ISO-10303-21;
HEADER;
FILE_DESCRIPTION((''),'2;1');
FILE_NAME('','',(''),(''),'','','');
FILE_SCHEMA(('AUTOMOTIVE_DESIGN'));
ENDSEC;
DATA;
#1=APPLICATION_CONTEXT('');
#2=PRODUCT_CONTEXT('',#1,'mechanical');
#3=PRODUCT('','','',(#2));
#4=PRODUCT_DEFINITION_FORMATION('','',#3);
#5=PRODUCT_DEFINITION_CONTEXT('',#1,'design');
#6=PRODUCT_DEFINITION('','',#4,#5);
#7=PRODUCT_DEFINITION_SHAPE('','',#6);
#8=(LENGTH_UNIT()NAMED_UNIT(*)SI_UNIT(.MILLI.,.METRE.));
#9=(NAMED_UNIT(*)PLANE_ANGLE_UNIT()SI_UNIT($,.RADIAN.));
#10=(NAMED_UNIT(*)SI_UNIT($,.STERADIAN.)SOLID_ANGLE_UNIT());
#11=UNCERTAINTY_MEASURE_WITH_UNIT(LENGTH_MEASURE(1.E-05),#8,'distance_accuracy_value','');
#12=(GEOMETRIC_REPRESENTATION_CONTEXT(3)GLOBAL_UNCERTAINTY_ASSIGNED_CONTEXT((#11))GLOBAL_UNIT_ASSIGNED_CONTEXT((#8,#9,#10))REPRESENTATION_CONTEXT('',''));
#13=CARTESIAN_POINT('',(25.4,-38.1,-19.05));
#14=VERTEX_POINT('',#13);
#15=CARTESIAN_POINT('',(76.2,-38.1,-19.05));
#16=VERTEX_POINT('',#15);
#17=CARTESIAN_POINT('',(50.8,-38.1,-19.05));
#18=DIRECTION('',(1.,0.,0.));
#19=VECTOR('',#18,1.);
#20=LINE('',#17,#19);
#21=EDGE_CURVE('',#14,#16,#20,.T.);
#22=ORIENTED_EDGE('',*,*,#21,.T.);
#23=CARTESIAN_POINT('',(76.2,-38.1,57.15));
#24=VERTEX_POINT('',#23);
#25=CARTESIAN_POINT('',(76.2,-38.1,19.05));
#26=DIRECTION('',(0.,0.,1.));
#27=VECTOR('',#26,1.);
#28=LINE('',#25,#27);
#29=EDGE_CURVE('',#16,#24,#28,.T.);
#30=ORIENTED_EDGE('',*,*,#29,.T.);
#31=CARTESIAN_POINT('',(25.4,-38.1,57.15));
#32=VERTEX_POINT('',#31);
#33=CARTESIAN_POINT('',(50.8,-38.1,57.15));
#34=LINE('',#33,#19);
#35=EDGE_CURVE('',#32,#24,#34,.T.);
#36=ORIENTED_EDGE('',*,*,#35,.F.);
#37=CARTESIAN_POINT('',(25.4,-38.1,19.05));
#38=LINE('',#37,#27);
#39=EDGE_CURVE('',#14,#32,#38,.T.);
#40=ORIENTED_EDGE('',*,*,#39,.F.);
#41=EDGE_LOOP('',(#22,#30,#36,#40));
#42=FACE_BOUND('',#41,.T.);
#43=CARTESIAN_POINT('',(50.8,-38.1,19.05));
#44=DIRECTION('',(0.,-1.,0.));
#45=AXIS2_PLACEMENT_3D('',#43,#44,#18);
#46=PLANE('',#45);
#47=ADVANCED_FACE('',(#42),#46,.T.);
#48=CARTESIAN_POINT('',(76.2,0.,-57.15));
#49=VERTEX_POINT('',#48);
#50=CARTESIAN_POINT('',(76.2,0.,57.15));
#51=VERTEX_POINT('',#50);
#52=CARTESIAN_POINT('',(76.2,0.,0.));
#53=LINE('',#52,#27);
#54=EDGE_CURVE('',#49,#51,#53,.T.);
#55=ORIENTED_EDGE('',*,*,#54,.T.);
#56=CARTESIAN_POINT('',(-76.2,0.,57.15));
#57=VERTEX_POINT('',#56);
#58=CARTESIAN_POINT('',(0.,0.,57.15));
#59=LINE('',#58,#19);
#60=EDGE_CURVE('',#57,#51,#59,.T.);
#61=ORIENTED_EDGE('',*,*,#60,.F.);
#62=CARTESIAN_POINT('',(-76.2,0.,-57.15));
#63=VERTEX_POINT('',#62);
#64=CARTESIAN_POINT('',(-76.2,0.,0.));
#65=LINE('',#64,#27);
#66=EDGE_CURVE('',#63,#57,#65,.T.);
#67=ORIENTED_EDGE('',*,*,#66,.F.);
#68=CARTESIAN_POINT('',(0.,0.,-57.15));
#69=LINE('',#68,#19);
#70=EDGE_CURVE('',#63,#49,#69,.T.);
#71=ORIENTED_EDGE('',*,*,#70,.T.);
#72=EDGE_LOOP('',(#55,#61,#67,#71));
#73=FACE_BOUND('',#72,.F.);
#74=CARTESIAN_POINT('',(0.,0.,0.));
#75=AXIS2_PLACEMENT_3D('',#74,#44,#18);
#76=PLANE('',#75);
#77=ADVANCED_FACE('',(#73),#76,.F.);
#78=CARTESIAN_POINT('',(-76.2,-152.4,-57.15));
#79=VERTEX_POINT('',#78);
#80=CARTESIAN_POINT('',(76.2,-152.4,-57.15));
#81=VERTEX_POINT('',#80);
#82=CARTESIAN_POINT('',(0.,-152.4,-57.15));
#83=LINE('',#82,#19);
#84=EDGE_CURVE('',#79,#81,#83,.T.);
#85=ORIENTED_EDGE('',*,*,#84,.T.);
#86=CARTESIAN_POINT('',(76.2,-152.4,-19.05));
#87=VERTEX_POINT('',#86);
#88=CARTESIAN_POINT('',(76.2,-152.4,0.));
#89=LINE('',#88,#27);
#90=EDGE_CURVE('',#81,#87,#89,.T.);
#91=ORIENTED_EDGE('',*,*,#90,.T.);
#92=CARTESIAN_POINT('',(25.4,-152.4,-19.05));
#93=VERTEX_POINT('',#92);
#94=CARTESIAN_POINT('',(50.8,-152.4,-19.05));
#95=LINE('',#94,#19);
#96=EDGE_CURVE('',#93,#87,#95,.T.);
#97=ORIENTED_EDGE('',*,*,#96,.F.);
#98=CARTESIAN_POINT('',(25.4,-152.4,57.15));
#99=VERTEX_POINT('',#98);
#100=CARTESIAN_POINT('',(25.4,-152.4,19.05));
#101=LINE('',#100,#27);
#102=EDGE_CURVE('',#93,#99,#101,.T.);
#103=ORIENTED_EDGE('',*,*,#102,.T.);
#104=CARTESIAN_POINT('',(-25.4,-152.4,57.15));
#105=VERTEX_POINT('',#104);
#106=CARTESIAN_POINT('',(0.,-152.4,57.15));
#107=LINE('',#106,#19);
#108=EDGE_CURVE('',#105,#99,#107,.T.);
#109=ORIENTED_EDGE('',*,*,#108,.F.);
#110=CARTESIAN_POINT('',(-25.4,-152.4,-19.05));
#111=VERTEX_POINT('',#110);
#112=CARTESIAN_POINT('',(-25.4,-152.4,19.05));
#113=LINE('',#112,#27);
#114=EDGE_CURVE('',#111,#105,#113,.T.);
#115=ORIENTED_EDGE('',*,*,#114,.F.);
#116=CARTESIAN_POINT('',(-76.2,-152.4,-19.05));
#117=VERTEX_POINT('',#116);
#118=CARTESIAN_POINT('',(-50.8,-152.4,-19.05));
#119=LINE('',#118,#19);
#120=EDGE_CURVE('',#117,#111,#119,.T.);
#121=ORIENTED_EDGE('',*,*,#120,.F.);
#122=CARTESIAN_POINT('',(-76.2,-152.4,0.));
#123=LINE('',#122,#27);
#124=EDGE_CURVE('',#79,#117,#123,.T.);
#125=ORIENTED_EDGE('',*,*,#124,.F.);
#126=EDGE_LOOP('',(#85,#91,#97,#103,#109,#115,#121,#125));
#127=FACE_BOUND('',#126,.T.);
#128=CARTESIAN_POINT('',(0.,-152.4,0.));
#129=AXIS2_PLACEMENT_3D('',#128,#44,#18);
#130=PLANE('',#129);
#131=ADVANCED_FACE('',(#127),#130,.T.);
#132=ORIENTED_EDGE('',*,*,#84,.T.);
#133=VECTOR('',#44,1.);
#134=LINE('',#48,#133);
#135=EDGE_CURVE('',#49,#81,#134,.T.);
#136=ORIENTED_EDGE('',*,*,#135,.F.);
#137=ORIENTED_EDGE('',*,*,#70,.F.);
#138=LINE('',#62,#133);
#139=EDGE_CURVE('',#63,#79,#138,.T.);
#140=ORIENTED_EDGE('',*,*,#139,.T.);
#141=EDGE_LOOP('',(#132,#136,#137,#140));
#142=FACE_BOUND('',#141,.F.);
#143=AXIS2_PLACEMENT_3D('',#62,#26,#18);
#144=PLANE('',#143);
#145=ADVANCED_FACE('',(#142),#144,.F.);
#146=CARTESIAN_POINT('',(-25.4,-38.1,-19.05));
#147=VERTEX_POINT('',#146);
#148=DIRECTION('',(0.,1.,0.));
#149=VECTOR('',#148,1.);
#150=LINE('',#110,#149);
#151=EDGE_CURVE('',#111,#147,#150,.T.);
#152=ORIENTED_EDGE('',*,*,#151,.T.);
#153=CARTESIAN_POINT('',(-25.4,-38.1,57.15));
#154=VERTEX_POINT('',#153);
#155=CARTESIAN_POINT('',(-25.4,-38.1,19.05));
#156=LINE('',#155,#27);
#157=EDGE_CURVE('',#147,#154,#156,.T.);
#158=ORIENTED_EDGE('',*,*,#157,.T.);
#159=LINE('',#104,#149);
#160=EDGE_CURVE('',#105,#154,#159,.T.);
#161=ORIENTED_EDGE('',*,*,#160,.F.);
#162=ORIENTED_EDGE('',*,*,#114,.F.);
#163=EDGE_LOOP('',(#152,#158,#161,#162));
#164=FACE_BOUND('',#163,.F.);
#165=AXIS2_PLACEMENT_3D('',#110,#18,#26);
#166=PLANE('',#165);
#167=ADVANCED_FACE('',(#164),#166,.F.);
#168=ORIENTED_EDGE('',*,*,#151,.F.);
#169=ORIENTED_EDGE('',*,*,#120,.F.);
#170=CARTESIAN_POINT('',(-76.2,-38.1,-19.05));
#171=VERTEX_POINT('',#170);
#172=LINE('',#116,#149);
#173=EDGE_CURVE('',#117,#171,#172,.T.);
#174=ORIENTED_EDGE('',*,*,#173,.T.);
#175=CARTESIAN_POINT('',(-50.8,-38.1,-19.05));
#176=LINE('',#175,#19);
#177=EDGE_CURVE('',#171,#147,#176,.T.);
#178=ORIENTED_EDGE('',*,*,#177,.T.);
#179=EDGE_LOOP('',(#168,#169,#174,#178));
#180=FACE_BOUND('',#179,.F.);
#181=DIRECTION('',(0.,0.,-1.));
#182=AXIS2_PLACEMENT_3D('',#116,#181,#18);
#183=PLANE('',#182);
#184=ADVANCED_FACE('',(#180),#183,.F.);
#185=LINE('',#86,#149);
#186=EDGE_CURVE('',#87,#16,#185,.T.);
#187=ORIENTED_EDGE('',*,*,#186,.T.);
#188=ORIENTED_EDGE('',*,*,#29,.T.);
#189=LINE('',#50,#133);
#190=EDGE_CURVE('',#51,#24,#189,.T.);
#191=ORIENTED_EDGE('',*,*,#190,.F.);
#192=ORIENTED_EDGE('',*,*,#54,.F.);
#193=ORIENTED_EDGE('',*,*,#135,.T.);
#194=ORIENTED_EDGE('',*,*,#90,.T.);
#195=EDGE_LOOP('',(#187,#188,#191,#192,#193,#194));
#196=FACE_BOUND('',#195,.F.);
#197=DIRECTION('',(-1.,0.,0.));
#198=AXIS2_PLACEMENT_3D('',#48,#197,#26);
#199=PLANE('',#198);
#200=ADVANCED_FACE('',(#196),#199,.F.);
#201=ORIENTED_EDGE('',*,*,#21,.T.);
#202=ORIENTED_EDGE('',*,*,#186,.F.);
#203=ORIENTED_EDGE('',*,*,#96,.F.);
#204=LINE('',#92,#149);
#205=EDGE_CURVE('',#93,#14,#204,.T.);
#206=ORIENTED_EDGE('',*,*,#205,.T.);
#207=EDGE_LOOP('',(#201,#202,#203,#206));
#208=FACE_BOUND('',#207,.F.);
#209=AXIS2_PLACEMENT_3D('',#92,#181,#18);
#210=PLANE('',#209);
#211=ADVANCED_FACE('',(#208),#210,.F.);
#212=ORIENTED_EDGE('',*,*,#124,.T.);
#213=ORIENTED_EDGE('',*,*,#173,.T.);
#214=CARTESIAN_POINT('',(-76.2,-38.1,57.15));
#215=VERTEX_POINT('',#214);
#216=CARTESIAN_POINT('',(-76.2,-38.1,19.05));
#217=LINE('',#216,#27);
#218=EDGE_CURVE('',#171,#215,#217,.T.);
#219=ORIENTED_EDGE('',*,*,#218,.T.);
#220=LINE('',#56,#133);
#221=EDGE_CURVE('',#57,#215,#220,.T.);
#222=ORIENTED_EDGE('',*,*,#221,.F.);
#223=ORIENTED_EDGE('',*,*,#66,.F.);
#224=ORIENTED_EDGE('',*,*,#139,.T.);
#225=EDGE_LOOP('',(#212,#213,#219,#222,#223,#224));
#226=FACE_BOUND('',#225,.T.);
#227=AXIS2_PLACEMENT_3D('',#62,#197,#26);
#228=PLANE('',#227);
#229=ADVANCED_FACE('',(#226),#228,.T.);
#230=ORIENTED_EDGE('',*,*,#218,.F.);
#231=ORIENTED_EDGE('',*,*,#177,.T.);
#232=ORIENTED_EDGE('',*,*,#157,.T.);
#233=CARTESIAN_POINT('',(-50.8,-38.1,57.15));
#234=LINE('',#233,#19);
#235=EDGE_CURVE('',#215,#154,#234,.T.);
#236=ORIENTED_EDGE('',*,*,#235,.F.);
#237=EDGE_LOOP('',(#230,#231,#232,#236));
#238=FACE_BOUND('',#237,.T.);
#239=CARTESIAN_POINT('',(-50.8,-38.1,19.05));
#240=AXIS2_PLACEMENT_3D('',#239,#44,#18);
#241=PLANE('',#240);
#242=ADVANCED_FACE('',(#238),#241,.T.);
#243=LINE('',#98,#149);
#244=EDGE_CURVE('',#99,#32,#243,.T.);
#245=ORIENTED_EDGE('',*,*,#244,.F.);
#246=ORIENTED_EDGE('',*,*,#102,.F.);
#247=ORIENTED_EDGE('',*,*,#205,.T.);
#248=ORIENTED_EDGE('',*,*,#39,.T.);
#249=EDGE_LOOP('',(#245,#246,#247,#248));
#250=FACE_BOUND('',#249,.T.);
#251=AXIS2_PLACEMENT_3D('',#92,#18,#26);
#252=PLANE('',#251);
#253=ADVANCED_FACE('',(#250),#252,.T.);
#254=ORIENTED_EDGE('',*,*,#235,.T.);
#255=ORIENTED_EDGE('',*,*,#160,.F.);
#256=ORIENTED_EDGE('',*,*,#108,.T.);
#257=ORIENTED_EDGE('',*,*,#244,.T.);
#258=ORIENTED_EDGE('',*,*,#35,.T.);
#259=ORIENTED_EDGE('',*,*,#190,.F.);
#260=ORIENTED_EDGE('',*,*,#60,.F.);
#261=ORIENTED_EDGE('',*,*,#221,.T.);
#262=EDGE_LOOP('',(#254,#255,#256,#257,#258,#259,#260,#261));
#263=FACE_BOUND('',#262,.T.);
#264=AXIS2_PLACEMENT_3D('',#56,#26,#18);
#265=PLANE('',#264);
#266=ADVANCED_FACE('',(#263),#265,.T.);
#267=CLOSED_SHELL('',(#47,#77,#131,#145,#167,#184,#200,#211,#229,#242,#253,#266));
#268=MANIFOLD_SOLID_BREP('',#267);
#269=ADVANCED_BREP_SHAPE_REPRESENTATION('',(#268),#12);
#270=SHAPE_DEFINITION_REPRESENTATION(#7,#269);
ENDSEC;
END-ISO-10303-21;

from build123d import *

# Parameters (mm, degrees)
F0_W     = 152.4
F0_H     = 114.3
F1_DEPTH = 152.4
F2_W     = 50.8
F2_H     = 76.2
F3_DEPTH = 114.3
F4_DEPTH = 114.3


with BuildPart() as f1:
    # F0 (on Front) → F1 (new body)
    with BuildSketch(Plane.XZ):
        Rectangle(F0_W, F0_H)
    extrude(amount=F1_DEPTH)

    # F2 (on face) → F3 (cut)
    with BuildSketch(Plane.XZ.offset(152.4)):
        with Locations((-50.8, 19.05)):
            Rectangle(F2_W, F2_H)
    extrude(amount=-F3_DEPTH, mode=Mode.SUBTRACT)

    # F2 (on face) → F4 (cut)
    with BuildSketch(Plane.XZ.offset(152.4)):
        with Locations((50.8, 19.05)):
            Rectangle(F2_W, F2_H)
    extrude(amount=-F4_DEPTH, mode=Mode.SUBTRACT)


solid = f1.part
